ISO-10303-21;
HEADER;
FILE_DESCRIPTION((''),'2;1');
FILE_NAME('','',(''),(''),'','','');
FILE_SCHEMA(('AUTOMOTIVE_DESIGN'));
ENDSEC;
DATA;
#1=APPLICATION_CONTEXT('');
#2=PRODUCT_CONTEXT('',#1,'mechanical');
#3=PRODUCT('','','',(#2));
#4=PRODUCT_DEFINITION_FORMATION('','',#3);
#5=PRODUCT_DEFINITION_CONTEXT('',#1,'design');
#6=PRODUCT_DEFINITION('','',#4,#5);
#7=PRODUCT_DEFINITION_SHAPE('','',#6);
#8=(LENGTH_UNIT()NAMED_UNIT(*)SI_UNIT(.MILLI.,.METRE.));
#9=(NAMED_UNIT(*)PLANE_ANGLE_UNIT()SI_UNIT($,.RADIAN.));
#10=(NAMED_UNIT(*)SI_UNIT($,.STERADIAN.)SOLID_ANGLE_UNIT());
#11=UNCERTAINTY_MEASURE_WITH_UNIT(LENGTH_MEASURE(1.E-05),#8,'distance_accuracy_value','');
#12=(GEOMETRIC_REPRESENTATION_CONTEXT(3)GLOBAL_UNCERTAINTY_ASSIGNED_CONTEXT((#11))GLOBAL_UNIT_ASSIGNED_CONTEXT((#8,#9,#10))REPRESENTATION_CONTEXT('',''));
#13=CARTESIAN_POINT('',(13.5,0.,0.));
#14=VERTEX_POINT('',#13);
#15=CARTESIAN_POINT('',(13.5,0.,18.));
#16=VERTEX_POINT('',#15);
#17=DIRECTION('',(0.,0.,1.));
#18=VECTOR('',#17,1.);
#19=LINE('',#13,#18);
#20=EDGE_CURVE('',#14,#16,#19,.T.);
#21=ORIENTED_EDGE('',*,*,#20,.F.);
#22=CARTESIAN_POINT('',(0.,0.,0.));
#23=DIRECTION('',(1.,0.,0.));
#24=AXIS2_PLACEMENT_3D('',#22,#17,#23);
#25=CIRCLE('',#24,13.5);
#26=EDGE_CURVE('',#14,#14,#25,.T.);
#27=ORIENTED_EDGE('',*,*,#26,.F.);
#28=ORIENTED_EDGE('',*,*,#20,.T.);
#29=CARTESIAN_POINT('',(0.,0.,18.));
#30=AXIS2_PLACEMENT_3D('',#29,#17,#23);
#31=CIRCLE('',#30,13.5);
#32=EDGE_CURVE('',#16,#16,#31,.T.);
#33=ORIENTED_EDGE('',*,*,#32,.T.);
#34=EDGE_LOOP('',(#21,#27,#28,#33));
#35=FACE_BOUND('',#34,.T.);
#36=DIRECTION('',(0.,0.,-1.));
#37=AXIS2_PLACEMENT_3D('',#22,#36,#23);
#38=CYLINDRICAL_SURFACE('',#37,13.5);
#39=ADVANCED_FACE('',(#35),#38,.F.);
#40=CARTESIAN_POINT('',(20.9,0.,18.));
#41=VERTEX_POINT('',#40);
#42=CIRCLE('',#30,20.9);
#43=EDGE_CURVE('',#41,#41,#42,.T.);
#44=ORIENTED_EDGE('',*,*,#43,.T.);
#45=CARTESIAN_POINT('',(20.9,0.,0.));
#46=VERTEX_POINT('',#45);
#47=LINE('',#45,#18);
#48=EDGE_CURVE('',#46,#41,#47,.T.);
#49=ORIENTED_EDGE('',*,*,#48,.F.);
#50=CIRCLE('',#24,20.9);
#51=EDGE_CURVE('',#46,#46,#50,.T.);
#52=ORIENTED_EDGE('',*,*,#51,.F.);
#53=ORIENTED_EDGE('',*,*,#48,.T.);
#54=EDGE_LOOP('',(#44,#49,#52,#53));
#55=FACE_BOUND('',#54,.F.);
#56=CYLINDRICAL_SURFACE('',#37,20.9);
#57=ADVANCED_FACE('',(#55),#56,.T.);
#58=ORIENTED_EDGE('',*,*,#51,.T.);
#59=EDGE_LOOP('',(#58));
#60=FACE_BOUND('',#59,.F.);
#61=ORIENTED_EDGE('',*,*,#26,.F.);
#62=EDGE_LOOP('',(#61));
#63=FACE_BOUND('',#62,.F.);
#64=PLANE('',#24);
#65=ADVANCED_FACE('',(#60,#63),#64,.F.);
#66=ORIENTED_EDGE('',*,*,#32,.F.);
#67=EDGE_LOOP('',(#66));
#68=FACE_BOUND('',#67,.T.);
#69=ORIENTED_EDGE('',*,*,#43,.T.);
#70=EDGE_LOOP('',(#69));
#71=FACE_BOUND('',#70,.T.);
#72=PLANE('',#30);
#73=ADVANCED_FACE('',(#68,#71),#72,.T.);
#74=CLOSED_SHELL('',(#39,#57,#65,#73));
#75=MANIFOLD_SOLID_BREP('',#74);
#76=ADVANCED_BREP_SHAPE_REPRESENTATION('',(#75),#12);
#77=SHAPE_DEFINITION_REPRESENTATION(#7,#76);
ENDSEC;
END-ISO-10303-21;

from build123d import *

# Parameters (mm, degrees)
SKETCH_R   = 20.9
SKETCH_R_2 = 13.5
PAD_DEPTH  = 18


with BuildPart() as part:
    # Sketch → Pad (new body)
    with BuildSketch(Plane.XY):
        Circle(SKETCH_R)
        Circle(SKETCH_R_2, mode=Mode.SUBTRACT)
    extrude(amount=PAD_DEPTH)


solid = part.part
